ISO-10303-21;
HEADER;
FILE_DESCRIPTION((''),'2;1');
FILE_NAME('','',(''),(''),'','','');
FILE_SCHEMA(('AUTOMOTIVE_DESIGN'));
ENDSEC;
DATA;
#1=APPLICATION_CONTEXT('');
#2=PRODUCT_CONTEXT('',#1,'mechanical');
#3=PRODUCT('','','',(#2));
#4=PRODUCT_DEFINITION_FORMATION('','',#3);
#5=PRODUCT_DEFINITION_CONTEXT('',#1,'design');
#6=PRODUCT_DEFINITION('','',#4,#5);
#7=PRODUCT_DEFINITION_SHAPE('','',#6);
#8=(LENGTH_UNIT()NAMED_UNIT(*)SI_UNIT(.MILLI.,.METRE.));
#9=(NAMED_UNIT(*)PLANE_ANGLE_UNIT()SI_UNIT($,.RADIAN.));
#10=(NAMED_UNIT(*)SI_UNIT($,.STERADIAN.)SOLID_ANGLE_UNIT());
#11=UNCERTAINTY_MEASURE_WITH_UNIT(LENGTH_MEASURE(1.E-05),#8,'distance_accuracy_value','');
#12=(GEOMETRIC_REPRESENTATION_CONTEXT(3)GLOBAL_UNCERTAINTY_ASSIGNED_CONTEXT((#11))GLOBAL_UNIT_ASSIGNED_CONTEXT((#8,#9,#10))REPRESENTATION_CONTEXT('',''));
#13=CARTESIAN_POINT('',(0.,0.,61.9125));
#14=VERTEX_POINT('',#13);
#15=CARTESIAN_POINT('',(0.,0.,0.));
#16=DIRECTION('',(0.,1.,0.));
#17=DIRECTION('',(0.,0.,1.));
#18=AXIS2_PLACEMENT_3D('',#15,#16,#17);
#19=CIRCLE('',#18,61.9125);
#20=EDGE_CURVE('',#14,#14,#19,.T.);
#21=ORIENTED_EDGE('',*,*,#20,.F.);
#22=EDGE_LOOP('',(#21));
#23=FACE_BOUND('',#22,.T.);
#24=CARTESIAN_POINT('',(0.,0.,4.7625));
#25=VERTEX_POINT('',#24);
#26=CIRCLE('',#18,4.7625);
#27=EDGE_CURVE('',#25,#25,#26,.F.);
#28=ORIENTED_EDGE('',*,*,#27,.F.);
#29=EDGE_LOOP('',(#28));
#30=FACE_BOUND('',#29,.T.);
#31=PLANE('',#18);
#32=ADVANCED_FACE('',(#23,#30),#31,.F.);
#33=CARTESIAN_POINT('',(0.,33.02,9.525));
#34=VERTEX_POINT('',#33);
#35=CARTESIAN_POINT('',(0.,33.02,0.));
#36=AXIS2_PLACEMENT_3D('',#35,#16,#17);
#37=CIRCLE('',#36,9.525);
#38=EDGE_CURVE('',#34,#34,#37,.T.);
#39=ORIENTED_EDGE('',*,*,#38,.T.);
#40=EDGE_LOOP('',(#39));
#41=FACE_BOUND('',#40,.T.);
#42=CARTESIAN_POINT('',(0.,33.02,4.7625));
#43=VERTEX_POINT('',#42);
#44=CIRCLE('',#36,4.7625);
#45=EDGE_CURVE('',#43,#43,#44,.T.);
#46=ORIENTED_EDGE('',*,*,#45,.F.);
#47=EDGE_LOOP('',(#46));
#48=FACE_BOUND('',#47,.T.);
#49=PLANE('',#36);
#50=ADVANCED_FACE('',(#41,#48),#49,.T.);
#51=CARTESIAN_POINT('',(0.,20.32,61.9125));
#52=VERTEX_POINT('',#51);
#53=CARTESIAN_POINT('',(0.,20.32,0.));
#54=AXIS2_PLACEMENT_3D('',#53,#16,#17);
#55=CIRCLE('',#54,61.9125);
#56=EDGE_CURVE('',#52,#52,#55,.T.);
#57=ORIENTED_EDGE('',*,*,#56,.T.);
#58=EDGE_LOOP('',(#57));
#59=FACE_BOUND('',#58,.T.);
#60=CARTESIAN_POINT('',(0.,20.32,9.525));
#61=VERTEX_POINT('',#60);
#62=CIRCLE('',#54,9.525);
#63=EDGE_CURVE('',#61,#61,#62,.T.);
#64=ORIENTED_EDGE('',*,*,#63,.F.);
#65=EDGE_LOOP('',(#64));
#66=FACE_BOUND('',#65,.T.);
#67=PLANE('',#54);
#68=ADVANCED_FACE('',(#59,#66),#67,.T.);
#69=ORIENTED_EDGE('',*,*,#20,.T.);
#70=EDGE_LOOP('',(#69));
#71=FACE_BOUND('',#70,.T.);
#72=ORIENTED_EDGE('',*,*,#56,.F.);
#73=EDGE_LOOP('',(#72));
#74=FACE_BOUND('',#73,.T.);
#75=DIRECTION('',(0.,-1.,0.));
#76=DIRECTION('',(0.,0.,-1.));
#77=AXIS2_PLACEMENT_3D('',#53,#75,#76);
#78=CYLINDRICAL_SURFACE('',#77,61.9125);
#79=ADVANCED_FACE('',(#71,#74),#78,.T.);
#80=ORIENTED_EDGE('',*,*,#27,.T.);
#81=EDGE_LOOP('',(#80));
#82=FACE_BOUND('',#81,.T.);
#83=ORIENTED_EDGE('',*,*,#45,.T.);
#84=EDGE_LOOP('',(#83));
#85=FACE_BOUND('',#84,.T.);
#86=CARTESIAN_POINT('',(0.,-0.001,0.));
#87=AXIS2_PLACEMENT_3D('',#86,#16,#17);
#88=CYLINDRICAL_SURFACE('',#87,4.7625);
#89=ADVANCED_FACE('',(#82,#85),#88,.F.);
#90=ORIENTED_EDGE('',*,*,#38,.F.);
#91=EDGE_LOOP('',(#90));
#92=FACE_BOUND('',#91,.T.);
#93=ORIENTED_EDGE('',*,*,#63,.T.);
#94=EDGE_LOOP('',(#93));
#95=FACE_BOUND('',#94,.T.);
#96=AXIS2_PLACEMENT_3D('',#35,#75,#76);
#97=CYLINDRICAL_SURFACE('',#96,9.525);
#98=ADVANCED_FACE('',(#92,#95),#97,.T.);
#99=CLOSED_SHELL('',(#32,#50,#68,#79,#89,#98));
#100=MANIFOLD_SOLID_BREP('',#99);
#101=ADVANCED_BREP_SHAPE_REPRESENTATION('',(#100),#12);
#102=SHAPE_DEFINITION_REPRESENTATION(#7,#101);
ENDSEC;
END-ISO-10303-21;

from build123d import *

# Parameters (mm, degrees)
SKETCH1_R           = 61.9125
BOSS_EXTRUDE1_DEPTH = 20.32
SKETCH2_R           = 9.525
BOSS_EXTRUDE2_DEPTH = 12.7
CUT_EXTRUDE1_REACH  = 95.577
SKETCH3_R           = 4.7625


with BuildPart() as part:
    # Sketch1 → Boss-Extrude1 (new body)
    with BuildSketch(Plane(origin=(0, 0, 0), x_dir=(1, 0, 0), z_dir=(0, 1, 0))):
        with Locations(Location((0, 0, 0), (0, 0, 270))):
            Circle(SKETCH1_R)
    extrude(amount=BOSS_EXTRUDE1_DEPTH)

    # Sketch2 → Boss-Extrude2 (add)
    with BuildSketch(Plane(origin=(0, 20.32, 0), x_dir=(1, 0, 0), z_dir=(0, 1, 0))):
        with Locations(Location((0, 0, 0), (0, 0, 270))):
            Circle(SKETCH2_R)
    extrude(amount=BOSS_EXTRUDE2_DEPTH)

    # Sketch3 → Cut-Extrude1 (cut, up to next)
    with BuildSketch(Plane(origin=(0, 33.02, 0), x_dir=(1, 0, 0), z_dir=(0, 1, 0)), mode=Mode.PRIVATE) as cut_extrude1_sk1:
        with Locations(Location((0, 0, 0), (0, 0, 270))):
            Circle(SKETCH3_R)
    cut_extrude1_tool1 = extrude(cut_extrude1_sk1.sketch, amount=-CUT_EXTRUDE1_REACH, mode=Mode.PRIVATE) & part.part
    add(cut_extrude1_tool1.solids().sort_by_distance((0, 33.02, 0))[0], mode=Mode.SUBTRACT)


solid = part.part
